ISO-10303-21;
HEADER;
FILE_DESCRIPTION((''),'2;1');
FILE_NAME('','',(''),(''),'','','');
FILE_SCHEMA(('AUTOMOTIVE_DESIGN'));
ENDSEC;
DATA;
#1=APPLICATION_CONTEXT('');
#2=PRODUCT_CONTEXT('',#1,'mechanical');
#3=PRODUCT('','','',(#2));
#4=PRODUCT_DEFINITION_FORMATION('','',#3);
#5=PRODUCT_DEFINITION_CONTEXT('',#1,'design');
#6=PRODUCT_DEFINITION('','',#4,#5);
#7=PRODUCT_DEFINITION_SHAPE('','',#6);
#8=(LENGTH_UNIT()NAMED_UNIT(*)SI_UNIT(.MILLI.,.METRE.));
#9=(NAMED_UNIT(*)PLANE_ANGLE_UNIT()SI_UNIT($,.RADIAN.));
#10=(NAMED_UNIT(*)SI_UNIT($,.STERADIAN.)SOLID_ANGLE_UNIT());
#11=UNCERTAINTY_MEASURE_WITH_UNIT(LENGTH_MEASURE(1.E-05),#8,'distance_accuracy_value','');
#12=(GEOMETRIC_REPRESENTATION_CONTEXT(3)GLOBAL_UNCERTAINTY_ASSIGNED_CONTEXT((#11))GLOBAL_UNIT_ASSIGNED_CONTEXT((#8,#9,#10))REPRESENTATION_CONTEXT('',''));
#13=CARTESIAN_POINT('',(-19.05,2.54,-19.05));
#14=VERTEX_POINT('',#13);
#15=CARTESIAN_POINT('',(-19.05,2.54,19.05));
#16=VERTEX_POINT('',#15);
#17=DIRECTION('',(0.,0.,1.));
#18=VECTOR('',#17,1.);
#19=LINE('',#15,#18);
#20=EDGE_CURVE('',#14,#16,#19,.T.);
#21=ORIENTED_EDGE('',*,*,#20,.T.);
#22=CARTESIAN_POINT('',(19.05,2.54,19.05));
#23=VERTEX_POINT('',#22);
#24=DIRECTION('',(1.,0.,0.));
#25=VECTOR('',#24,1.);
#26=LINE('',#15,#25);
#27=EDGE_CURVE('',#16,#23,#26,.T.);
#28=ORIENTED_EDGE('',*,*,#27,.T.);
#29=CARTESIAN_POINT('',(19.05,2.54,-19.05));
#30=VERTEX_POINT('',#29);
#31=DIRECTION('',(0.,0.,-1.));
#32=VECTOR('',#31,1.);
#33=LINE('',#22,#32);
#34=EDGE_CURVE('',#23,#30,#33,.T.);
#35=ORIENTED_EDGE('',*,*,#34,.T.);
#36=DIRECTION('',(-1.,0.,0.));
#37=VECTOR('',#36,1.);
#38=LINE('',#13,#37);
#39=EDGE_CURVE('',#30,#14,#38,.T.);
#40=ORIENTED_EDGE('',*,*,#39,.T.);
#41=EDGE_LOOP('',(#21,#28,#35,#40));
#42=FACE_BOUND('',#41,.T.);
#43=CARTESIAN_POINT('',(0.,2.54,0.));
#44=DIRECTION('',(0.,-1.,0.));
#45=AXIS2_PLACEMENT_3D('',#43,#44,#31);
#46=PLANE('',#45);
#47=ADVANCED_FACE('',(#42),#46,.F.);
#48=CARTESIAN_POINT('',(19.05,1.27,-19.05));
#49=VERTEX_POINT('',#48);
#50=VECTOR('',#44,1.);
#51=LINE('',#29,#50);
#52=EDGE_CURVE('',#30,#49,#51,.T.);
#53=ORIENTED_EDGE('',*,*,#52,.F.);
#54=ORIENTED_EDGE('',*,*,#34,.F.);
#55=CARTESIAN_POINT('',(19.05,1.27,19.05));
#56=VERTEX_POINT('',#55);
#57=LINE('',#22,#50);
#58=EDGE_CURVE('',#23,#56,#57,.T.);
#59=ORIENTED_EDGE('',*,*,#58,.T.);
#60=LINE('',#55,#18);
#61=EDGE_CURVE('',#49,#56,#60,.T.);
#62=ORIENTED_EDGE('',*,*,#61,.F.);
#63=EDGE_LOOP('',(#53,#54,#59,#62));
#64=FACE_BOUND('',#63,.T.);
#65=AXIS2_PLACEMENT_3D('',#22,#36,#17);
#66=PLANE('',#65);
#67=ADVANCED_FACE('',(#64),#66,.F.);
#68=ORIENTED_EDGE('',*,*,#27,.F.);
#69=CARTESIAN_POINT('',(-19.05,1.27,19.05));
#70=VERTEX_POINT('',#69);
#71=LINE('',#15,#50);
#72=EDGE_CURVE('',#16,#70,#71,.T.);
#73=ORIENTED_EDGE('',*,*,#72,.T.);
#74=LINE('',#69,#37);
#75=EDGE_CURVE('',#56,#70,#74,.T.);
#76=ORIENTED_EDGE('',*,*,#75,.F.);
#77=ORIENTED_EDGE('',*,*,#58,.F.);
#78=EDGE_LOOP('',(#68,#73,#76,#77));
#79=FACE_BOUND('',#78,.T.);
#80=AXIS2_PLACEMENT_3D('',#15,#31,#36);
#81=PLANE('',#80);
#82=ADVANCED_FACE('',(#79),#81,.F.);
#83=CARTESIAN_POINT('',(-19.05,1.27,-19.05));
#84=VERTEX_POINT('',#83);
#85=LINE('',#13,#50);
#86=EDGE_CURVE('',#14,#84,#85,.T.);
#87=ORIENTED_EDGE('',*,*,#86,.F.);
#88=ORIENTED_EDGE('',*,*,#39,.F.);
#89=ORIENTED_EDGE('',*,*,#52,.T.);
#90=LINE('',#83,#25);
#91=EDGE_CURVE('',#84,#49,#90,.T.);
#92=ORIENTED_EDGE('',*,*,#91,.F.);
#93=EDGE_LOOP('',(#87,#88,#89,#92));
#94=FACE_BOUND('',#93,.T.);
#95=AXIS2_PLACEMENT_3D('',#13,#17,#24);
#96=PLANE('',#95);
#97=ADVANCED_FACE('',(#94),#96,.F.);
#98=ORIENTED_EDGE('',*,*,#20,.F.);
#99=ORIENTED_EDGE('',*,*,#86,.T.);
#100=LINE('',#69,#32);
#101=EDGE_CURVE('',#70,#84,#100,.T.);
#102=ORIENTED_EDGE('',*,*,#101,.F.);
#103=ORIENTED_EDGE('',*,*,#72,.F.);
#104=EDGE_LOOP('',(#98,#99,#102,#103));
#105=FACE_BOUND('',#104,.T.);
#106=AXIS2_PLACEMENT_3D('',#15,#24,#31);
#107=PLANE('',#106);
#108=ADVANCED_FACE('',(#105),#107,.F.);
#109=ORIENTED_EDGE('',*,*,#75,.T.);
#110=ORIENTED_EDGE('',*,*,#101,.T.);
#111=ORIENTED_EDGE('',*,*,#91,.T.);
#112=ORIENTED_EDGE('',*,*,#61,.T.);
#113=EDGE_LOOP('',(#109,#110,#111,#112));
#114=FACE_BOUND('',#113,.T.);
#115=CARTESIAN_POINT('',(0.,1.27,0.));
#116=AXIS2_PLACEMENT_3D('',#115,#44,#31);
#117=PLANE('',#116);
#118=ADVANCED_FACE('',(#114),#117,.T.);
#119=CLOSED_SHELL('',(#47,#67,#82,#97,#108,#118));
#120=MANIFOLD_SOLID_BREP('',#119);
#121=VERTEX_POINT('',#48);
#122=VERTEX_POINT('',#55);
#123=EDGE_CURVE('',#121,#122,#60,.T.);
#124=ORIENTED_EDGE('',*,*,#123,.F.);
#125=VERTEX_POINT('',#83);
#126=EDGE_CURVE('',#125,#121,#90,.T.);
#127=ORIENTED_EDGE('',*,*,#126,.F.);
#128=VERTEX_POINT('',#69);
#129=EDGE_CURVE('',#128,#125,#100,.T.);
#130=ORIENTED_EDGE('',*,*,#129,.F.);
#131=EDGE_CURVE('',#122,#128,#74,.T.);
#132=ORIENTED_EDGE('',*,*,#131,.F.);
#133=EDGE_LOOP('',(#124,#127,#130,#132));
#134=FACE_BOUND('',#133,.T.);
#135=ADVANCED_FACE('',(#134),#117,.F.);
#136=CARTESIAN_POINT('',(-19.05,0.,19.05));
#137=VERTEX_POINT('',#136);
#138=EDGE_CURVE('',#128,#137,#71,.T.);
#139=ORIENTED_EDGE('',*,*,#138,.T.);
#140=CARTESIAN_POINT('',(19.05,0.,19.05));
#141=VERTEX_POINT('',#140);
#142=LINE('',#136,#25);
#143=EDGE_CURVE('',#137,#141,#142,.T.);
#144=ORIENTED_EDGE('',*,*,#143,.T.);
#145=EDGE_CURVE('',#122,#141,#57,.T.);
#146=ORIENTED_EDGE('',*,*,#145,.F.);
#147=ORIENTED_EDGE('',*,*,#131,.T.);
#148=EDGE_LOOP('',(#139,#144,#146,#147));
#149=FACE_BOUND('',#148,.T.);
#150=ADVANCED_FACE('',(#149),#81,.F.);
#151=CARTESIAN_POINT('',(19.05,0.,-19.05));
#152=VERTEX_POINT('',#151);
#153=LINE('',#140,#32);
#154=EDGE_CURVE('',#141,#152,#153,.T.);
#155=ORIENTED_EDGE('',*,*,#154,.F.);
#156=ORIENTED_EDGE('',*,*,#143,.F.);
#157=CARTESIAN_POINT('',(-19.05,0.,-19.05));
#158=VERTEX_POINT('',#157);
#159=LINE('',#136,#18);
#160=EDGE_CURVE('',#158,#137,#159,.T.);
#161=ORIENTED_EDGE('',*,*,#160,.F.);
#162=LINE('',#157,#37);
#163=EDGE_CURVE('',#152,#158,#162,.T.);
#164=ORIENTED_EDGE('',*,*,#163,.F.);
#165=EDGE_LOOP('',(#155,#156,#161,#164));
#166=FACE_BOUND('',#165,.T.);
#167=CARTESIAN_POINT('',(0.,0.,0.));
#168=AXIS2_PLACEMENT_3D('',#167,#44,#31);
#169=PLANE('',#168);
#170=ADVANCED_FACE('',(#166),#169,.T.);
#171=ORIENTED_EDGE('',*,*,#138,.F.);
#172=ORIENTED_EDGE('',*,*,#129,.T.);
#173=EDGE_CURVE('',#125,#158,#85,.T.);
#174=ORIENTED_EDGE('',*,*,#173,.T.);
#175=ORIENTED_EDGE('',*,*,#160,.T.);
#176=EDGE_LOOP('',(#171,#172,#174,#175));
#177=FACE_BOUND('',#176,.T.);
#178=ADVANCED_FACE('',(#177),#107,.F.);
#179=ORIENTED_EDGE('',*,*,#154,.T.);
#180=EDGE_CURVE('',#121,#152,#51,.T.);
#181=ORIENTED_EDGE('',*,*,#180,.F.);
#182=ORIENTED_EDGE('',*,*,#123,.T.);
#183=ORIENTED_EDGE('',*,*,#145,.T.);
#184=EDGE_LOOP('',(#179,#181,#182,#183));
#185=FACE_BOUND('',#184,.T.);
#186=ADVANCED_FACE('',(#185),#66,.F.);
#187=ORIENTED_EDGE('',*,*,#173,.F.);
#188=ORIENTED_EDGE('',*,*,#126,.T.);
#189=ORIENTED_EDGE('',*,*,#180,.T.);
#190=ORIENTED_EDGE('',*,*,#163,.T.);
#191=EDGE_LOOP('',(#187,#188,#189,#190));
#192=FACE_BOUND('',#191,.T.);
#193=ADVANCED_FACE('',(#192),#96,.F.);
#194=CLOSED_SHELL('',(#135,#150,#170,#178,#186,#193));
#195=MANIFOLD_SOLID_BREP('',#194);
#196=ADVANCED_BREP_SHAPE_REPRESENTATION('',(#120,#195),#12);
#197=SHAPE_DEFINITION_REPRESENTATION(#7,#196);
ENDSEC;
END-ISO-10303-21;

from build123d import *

# Parameters (mm, degrees)
SKETCH1_W           = 38.1
SKETCH1_H           = 38.1
BOSS_EXTRUDE1_DEPTH = 2.54


with BuildPart() as part:
    # Sketch1 → Boss-Extrude1 (new body)
    with BuildSketch(Plane(origin=(0, 0, 0), x_dir=(1, 0, 0), z_dir=(0, 1, 0))):
        Rectangle(SKETCH1_W, SKETCH1_H)
    extrude(amount=BOSS_EXTRUDE1_DEPTH)


with BuildPart() as body_2:
    # Split1: the piece on the far side of the plane
    add(part.part)
    split(bisect_by=Plane(origin=(0, 1.27, 0), x_dir=(0, 0, -1), z_dir=(0, -1, 0)), keep=Keep.BOTTOM)


with BuildPart() as part_1:
    add(part.part)

    # Split1
    split(bisect_by=Plane(origin=(0, 1.27, 0), x_dir=(0, 0, -1), z_dir=(0, -1, 0)), keep=Keep.TOP)


solid = Compound([body_2.part, part_1.part])
